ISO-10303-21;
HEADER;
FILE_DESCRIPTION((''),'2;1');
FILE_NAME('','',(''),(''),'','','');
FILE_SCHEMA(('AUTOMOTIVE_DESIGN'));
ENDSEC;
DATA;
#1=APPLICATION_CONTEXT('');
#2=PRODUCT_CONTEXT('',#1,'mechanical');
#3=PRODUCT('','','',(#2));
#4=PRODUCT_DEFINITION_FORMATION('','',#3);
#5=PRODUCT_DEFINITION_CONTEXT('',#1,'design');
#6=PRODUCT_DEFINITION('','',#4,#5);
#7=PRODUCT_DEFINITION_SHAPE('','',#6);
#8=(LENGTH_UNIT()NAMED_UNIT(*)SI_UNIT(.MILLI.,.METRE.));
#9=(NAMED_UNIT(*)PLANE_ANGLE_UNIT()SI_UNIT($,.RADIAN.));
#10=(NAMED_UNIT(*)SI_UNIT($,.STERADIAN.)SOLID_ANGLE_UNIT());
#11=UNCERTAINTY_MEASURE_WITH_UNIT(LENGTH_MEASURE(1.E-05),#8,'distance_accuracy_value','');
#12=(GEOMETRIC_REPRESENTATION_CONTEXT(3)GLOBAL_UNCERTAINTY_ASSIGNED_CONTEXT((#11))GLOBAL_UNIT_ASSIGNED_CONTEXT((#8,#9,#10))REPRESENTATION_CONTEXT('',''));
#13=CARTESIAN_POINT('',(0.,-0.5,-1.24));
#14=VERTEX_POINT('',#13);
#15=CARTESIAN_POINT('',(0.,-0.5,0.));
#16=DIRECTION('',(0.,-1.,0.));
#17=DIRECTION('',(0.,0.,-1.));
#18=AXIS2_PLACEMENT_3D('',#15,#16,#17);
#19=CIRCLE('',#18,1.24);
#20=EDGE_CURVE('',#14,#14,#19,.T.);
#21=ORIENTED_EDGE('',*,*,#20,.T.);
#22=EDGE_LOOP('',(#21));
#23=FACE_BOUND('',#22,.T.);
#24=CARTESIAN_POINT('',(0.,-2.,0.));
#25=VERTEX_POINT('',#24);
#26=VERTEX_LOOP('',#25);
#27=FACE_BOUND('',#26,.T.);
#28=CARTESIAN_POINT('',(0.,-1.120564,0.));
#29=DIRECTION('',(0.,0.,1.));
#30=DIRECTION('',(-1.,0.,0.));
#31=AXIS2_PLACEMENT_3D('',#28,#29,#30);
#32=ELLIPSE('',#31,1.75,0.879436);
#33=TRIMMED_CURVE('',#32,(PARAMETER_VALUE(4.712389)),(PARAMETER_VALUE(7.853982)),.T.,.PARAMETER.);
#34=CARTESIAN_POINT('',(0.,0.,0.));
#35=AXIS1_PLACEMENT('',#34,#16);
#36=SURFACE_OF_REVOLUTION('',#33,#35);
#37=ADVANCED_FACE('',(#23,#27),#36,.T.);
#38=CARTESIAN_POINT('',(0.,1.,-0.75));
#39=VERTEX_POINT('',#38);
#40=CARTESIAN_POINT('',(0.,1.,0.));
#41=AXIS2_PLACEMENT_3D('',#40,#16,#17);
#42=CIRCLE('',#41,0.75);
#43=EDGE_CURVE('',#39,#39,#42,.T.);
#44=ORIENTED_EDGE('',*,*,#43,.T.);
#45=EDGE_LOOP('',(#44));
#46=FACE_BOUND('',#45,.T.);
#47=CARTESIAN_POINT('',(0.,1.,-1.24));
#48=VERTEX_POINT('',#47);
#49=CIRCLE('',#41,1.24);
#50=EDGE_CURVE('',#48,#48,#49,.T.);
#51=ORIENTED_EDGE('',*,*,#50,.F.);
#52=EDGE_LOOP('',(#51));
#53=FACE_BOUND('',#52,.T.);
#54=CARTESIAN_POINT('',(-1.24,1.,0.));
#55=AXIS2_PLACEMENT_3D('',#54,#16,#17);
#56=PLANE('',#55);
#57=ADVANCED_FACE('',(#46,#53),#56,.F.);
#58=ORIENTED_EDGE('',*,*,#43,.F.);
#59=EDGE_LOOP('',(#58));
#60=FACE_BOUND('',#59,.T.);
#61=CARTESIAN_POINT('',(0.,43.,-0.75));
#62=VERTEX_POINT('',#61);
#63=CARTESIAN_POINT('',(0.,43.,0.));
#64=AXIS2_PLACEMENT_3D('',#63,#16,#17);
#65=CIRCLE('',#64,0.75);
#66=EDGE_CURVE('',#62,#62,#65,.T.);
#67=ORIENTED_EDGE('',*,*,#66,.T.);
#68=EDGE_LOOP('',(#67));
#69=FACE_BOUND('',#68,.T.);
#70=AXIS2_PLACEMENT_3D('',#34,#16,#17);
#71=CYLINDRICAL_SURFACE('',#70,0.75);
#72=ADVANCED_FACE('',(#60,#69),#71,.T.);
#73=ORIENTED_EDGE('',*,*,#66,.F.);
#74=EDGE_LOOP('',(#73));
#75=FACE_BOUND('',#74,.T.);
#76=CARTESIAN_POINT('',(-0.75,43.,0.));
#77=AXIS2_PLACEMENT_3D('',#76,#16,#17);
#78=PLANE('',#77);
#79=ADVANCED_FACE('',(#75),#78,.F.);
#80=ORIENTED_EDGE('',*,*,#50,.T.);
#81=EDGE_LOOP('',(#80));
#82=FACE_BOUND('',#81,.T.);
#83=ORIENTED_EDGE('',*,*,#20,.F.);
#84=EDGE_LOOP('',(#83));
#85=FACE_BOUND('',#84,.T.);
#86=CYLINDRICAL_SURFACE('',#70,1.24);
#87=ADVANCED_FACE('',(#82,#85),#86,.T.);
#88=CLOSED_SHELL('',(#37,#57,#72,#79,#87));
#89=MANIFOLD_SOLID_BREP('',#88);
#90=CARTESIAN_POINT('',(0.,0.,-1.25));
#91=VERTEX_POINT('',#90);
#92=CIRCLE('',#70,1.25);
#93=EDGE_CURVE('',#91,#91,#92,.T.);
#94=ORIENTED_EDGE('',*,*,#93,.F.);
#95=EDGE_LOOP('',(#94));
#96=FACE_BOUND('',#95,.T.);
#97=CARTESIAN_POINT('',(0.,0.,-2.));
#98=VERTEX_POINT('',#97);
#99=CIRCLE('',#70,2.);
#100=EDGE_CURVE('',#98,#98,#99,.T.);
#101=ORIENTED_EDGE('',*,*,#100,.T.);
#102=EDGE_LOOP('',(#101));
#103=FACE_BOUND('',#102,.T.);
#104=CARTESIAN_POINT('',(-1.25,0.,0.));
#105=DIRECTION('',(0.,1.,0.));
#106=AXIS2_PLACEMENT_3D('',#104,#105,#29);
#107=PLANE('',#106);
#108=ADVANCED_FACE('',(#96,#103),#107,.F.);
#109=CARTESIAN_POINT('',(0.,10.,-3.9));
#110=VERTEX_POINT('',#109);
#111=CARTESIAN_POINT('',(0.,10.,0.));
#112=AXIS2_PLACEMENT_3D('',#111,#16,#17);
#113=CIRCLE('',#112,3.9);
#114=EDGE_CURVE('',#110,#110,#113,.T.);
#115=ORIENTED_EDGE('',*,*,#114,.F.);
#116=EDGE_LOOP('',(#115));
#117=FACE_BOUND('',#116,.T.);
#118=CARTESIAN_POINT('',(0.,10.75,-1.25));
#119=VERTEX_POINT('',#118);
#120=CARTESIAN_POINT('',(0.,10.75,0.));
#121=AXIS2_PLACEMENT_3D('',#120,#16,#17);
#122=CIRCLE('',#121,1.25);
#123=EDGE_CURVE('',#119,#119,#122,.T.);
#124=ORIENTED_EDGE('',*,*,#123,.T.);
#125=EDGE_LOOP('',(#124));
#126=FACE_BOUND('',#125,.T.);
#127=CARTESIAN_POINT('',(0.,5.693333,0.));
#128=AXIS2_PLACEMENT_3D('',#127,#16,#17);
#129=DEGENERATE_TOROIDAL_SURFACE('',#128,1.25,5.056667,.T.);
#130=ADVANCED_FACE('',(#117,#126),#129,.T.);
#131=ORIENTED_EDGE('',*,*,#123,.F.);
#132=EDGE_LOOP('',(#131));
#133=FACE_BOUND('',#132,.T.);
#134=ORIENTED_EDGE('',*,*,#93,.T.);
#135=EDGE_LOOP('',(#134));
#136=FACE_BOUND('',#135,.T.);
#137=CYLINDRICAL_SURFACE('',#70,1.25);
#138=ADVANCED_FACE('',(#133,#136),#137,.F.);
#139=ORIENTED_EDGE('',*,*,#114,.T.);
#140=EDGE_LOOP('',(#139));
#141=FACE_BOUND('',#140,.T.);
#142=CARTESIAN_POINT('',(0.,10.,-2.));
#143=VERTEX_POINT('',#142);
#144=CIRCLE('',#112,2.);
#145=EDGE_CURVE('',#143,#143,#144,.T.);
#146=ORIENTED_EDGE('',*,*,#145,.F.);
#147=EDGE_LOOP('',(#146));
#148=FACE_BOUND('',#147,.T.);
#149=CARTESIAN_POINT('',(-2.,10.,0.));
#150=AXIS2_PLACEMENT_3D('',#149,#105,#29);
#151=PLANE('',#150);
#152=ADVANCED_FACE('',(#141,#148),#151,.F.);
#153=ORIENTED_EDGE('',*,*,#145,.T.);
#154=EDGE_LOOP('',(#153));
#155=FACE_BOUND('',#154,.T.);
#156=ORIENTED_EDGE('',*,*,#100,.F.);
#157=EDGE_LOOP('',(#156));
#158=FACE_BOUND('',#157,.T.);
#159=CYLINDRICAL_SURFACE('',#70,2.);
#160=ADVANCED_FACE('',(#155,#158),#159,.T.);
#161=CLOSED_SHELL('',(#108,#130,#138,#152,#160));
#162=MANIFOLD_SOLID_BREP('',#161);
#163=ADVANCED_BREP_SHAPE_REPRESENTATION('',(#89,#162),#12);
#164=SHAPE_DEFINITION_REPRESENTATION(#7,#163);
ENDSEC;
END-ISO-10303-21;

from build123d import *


with BuildPart() as part:
    # Szkic1 → Obrót1 (revolve)
    with BuildSketch(Plane.XY, mode=Mode.PRIVATE) as obr_t1_sk:
        with BuildLine():
            Line((-1.25, 10.75), (-1.25, 0))
            Line((-1.25, 0), (-2, 0))
            Line((-2, 0), (-2, 10))
            Line((-2, 10), (-3.9, 10))
            ThreePointArc((-3.9, 10), (-2.627043935, 10.558888572), (-1.25, 10.75))
        make_face()
        with BuildLine():
            Line((-1.24, 1), (-1.24, -0.5))
            add(Edge.make_bspline(
                [(-1.24, -0.5), (-4.212515907, -2), (0, -2)],
                knots=[5.499860619, 5.499860619, 5.499860619, 7.853981634, 7.853981634, 7.853981634], degree=2, weights=[1, 0.383641047, 1]))
            Line((0, -2), (0, 43))
            Line((0, 43), (-0.75, 43))
            Line((-0.75, 43), (-0.75, 1))
            Line((-0.75, 1), (-1.24, 1))
        make_face()
    revolve(obr_t1_sk.sketch.rotate(Axis((0, 0, 0), (0, 1, 0)), 270), axis=Axis((0, 0, 0), (0, 1, 0)))


solid = part.part
